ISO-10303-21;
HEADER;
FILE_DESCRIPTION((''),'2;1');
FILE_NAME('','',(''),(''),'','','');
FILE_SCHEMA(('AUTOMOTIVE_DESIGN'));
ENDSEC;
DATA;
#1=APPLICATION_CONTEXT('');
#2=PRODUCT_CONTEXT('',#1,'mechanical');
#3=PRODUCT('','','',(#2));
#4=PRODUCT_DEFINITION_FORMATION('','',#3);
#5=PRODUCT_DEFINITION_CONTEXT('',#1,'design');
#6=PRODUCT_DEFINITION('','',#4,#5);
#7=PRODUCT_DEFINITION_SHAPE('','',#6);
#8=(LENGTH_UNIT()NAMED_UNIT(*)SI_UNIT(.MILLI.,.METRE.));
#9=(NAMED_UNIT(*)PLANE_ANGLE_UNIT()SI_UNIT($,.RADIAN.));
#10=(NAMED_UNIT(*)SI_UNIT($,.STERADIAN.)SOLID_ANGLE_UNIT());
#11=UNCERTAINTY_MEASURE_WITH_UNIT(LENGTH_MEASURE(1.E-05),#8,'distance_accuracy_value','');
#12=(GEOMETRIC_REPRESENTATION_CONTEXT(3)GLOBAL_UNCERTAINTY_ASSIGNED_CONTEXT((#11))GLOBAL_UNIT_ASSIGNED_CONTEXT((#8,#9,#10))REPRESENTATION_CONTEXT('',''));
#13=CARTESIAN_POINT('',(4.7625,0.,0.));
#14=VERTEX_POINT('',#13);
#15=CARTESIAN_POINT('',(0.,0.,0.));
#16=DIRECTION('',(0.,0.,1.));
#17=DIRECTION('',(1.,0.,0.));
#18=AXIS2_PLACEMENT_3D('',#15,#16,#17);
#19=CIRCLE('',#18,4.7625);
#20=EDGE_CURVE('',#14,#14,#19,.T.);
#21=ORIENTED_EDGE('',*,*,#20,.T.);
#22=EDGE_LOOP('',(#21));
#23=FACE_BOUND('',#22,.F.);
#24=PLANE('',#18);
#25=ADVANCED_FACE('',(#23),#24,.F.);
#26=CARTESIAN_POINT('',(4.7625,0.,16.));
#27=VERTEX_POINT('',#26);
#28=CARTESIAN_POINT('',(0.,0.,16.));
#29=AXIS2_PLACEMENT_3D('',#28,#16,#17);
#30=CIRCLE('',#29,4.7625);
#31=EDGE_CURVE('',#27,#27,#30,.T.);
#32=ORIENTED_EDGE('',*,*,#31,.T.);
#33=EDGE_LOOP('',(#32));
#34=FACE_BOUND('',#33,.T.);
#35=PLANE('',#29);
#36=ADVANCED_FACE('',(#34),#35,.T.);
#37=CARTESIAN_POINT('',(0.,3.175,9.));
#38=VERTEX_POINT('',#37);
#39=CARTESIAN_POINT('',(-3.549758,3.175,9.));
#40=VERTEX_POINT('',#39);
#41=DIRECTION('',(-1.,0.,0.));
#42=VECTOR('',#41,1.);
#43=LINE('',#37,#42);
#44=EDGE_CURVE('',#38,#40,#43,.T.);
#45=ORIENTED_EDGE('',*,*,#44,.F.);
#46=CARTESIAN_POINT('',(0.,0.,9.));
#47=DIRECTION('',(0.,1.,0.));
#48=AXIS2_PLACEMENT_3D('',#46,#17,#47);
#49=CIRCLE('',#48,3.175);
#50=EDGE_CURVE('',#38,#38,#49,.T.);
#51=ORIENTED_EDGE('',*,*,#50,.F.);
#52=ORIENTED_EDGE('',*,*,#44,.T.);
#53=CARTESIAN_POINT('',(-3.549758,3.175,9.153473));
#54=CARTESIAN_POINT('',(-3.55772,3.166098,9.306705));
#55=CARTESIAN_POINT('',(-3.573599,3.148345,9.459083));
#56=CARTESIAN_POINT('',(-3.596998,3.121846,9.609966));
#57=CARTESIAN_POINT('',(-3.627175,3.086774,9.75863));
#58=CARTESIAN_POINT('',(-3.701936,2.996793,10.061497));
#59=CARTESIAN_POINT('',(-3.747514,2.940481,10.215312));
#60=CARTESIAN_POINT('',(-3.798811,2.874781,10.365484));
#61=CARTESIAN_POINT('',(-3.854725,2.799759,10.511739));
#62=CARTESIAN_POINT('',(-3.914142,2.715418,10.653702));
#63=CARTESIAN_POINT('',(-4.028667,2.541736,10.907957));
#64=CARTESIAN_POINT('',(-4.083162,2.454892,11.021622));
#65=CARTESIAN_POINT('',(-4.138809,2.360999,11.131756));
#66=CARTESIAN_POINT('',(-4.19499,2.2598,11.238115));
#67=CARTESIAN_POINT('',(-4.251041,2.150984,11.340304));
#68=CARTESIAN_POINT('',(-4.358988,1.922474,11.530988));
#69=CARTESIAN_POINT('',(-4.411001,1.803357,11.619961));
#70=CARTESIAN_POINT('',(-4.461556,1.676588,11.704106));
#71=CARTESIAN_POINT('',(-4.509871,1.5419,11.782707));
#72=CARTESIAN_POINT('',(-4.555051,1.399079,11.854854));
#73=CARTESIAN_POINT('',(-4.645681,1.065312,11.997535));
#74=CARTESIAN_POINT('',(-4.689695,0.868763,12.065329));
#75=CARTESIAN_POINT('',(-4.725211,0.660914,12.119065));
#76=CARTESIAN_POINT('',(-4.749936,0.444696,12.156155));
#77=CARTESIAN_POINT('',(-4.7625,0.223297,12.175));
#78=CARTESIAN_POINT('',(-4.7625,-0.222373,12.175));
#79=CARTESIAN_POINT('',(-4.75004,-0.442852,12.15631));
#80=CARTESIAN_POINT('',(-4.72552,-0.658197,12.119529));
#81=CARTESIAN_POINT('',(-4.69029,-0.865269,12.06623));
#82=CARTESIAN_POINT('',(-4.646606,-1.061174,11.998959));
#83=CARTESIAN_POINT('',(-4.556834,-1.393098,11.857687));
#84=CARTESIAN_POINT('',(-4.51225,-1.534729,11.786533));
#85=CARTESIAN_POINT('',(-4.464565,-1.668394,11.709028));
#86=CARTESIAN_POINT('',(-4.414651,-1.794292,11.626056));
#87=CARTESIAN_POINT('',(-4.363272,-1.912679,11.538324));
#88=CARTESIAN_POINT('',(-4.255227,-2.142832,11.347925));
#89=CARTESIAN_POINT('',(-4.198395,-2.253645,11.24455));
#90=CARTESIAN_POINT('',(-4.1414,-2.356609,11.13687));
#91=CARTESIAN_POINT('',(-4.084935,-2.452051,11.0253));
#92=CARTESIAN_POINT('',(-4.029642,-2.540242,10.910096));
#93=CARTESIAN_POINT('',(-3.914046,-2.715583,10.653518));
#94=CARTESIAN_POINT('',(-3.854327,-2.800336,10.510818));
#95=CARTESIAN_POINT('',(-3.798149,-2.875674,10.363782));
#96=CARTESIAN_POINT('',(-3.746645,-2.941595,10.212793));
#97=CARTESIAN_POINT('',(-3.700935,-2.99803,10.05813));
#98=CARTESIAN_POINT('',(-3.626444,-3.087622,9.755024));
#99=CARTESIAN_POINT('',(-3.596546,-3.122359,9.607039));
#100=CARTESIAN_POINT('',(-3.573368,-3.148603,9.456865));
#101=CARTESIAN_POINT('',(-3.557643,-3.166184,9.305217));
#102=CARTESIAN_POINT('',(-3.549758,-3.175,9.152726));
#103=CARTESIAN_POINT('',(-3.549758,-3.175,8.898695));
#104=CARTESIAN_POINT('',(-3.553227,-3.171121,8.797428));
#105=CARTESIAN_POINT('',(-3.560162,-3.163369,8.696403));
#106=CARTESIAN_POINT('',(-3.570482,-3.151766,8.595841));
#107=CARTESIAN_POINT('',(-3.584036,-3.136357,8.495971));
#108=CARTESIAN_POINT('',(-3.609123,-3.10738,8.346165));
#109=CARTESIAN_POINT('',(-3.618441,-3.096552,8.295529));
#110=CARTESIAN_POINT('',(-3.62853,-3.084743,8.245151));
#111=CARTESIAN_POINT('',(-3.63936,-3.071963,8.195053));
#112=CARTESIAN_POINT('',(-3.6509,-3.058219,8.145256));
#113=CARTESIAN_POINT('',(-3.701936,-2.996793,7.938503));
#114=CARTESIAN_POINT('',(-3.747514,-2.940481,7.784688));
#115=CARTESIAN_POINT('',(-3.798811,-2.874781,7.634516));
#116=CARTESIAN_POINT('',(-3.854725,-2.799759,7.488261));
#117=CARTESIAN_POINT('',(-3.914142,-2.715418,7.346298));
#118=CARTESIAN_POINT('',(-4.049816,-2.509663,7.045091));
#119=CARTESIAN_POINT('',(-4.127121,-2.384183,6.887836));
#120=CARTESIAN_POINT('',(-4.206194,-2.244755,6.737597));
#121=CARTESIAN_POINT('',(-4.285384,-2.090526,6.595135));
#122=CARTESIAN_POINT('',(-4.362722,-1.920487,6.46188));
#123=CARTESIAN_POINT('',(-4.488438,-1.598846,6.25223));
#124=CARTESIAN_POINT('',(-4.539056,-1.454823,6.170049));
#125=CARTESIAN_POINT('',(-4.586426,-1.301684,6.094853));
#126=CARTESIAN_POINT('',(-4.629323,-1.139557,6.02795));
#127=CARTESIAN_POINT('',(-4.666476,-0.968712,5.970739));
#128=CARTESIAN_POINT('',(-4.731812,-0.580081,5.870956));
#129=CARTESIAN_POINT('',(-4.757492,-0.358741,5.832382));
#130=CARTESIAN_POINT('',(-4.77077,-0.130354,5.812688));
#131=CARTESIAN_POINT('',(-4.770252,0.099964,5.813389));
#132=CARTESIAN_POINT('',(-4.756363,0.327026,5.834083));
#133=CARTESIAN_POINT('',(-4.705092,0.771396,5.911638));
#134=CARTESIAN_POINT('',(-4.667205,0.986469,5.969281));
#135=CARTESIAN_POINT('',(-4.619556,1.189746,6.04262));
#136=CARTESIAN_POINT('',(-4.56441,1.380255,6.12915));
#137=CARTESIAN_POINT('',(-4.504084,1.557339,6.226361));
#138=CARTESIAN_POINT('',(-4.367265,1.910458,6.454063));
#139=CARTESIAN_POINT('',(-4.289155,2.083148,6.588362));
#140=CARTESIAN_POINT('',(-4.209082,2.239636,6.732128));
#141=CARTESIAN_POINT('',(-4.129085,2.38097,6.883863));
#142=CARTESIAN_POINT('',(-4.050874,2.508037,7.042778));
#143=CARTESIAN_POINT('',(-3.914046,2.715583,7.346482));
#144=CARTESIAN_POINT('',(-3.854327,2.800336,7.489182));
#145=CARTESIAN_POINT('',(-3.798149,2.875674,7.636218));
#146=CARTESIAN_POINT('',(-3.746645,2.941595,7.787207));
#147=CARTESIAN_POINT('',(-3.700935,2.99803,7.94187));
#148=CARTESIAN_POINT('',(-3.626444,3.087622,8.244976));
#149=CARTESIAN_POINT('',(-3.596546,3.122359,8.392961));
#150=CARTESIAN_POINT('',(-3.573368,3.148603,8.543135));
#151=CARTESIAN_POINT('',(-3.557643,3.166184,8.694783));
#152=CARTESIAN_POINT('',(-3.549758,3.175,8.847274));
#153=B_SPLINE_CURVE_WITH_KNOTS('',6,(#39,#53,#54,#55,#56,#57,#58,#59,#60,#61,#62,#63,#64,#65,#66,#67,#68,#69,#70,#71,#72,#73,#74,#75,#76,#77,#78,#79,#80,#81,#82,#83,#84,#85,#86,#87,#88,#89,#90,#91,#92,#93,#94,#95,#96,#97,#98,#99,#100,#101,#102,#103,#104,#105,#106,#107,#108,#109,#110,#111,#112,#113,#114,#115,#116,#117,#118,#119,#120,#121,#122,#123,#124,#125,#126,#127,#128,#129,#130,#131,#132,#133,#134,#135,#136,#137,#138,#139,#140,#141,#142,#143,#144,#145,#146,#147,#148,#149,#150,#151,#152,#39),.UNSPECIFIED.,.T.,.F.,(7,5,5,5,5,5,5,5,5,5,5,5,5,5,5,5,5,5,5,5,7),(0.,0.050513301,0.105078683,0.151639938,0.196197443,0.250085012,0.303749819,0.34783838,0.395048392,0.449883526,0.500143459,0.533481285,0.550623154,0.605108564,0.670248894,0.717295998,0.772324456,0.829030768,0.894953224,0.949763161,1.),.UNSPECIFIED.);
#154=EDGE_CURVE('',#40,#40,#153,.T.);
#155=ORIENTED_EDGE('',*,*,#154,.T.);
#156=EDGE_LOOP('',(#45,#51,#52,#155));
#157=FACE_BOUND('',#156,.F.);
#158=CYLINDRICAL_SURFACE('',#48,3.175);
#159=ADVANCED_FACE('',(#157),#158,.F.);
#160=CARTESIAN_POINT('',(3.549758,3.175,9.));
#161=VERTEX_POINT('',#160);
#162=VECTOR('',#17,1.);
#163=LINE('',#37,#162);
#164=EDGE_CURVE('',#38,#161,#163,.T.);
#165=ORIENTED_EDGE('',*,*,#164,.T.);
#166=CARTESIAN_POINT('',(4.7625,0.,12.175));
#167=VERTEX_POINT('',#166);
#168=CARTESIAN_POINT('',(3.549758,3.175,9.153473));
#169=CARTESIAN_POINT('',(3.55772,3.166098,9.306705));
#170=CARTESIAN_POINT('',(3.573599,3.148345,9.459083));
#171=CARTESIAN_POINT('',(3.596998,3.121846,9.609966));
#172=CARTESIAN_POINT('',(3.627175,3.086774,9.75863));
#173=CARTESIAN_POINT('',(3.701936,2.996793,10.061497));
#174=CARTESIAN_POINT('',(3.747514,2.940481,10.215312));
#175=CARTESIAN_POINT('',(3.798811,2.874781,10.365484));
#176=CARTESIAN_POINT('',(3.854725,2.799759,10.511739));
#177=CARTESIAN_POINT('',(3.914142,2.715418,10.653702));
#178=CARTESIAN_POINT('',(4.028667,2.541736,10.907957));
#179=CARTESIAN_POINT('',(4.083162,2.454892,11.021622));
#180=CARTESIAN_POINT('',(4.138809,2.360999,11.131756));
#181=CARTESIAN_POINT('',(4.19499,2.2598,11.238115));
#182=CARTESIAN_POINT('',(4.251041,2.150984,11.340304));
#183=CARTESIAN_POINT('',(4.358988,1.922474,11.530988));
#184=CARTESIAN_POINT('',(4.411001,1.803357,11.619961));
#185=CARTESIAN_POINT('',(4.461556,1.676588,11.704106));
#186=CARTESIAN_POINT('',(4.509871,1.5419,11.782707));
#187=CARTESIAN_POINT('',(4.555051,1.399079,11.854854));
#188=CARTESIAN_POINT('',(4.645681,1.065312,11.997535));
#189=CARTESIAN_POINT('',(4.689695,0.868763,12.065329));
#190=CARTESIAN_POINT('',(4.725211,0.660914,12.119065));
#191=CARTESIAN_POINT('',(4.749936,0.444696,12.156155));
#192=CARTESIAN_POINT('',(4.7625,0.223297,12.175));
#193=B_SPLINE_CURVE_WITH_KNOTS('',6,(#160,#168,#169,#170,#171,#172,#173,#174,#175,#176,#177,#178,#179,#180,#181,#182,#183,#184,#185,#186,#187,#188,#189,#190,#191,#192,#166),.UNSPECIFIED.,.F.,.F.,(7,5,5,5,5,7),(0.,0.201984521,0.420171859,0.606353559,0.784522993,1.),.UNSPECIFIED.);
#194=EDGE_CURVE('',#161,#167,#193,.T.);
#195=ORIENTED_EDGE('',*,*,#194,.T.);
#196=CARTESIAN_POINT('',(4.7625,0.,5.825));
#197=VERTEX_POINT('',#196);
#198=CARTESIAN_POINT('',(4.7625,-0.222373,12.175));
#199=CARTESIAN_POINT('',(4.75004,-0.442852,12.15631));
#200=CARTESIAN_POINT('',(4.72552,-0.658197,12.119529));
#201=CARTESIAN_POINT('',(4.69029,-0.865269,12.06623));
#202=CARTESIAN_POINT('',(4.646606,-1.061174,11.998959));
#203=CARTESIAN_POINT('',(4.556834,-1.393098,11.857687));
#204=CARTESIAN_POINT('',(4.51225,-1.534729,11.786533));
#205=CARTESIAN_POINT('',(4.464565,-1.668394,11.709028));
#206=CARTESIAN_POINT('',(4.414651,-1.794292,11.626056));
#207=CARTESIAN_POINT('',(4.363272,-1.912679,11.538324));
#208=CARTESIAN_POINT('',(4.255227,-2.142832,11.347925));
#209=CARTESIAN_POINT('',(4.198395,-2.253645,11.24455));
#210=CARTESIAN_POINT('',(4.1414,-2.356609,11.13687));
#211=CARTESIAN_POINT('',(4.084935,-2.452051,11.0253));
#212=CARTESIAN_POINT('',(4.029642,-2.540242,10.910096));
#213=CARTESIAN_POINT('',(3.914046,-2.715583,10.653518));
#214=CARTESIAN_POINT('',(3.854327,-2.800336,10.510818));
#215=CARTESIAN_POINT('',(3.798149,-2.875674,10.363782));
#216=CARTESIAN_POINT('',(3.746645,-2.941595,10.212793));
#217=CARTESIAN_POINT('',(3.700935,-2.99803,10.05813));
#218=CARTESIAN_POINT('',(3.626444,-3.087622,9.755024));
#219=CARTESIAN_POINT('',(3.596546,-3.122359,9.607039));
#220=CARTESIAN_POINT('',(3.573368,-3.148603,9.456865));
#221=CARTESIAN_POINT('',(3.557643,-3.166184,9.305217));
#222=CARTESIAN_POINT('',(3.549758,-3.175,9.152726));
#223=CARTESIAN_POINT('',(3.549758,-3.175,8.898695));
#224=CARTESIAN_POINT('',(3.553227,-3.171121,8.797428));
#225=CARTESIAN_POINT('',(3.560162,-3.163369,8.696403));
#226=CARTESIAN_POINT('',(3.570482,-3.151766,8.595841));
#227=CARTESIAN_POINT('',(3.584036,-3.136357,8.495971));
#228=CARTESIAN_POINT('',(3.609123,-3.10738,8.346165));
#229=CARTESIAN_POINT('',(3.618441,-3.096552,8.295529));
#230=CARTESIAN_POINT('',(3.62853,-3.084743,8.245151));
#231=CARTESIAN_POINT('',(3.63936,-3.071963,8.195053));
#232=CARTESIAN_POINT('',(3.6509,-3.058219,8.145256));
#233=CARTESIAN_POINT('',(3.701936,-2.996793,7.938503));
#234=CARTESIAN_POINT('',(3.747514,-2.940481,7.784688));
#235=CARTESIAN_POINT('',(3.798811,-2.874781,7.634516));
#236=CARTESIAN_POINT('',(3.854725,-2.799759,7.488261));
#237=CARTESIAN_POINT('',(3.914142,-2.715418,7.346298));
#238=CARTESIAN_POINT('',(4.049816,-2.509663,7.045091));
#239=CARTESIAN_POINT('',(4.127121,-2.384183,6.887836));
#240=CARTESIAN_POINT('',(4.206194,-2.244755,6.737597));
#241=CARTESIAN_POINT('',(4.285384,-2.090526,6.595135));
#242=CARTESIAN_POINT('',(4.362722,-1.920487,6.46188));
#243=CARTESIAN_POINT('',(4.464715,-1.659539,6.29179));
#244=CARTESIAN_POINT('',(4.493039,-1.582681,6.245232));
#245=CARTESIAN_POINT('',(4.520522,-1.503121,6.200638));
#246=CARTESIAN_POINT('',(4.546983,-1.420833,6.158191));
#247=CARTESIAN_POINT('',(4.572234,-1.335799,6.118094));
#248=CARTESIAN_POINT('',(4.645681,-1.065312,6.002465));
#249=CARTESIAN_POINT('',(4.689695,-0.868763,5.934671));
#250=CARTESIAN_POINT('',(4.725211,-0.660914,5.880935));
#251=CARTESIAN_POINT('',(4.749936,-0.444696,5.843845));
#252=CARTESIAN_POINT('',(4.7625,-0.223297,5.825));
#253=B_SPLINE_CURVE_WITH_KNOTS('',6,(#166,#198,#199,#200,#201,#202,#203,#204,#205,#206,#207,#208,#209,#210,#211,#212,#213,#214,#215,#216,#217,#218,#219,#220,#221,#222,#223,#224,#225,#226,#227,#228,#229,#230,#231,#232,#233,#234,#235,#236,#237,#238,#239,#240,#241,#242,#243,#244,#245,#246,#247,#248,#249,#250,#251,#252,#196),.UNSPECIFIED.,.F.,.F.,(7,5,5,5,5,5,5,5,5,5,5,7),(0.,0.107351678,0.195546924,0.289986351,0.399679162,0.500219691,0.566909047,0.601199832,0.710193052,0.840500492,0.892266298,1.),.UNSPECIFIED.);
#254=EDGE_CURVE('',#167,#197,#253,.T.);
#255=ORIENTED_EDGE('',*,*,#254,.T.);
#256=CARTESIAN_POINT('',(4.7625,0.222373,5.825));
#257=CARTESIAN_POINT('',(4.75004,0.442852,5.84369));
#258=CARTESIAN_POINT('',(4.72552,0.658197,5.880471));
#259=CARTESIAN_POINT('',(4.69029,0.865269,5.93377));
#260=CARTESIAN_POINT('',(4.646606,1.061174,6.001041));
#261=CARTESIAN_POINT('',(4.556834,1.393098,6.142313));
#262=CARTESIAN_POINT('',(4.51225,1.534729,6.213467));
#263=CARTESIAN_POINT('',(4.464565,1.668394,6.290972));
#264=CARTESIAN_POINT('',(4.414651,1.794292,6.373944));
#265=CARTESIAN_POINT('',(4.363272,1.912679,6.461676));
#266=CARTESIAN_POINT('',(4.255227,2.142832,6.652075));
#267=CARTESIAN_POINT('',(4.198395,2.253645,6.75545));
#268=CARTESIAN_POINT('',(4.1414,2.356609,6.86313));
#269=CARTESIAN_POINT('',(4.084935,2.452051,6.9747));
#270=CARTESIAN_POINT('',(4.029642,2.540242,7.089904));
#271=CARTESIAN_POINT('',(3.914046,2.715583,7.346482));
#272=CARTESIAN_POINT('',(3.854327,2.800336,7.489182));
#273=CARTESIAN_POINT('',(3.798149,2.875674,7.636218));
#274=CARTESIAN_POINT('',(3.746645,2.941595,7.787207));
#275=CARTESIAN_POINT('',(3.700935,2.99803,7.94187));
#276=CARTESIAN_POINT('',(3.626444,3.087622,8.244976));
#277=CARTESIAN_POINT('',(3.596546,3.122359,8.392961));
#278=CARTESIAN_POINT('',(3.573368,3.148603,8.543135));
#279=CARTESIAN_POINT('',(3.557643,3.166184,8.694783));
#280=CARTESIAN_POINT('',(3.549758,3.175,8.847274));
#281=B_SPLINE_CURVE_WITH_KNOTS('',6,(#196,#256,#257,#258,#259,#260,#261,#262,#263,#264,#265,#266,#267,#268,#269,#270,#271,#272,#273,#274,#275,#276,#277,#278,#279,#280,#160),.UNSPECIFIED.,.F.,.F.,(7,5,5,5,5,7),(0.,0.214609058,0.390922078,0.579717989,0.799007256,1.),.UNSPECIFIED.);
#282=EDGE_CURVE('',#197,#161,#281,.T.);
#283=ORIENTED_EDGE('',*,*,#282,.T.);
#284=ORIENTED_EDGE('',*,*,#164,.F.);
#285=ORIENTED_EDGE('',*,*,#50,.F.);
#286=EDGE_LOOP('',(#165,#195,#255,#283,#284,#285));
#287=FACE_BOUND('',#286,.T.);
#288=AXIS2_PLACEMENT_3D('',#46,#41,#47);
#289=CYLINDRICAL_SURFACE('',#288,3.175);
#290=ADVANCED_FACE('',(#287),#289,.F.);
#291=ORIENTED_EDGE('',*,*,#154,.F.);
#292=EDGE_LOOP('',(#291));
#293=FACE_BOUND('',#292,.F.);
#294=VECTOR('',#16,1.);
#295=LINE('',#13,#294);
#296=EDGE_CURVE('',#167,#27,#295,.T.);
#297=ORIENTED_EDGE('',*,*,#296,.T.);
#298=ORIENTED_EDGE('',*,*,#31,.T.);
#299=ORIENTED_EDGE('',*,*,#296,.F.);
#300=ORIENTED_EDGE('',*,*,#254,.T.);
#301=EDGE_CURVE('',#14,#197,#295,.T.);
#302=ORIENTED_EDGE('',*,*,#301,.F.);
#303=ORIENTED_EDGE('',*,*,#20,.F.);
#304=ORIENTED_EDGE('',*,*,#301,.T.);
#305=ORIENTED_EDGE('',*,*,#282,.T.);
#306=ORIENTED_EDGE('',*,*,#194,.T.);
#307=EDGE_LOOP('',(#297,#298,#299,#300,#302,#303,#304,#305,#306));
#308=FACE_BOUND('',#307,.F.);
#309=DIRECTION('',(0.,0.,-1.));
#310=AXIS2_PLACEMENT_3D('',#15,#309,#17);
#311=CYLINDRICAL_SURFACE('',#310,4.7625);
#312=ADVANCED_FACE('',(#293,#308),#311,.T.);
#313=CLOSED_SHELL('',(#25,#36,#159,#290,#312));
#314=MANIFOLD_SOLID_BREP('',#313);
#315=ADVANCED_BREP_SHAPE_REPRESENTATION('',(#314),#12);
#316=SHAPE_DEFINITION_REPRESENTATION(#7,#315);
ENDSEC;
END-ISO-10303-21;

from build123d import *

# Parameters (mm, degrees)
F0_R          = 4.7625
F1_DEPTH      = 16
F2_R          = 3.175
F3_DEPTH      = 25.4
F3_DEPTH_BACK = 25.4


with BuildPart() as f1:
    # F0 (on Top) → F1 (new body)
    with BuildSketch(Plane.XY):
        Circle(F0_R)
    extrude(amount=F1_DEPTH)

    # F2 (on Right) → F3 (cut, two sides)
    with BuildSketch(Plane.YZ) as f3_sk:
        with Locations((0, 9)):
            Circle(F2_R)
    extrude(amount=F3_DEPTH, mode=Mode.SUBTRACT)
    extrude(f3_sk.sketch, amount=-F3_DEPTH_BACK, mode=Mode.SUBTRACT)


solid = f1.part
